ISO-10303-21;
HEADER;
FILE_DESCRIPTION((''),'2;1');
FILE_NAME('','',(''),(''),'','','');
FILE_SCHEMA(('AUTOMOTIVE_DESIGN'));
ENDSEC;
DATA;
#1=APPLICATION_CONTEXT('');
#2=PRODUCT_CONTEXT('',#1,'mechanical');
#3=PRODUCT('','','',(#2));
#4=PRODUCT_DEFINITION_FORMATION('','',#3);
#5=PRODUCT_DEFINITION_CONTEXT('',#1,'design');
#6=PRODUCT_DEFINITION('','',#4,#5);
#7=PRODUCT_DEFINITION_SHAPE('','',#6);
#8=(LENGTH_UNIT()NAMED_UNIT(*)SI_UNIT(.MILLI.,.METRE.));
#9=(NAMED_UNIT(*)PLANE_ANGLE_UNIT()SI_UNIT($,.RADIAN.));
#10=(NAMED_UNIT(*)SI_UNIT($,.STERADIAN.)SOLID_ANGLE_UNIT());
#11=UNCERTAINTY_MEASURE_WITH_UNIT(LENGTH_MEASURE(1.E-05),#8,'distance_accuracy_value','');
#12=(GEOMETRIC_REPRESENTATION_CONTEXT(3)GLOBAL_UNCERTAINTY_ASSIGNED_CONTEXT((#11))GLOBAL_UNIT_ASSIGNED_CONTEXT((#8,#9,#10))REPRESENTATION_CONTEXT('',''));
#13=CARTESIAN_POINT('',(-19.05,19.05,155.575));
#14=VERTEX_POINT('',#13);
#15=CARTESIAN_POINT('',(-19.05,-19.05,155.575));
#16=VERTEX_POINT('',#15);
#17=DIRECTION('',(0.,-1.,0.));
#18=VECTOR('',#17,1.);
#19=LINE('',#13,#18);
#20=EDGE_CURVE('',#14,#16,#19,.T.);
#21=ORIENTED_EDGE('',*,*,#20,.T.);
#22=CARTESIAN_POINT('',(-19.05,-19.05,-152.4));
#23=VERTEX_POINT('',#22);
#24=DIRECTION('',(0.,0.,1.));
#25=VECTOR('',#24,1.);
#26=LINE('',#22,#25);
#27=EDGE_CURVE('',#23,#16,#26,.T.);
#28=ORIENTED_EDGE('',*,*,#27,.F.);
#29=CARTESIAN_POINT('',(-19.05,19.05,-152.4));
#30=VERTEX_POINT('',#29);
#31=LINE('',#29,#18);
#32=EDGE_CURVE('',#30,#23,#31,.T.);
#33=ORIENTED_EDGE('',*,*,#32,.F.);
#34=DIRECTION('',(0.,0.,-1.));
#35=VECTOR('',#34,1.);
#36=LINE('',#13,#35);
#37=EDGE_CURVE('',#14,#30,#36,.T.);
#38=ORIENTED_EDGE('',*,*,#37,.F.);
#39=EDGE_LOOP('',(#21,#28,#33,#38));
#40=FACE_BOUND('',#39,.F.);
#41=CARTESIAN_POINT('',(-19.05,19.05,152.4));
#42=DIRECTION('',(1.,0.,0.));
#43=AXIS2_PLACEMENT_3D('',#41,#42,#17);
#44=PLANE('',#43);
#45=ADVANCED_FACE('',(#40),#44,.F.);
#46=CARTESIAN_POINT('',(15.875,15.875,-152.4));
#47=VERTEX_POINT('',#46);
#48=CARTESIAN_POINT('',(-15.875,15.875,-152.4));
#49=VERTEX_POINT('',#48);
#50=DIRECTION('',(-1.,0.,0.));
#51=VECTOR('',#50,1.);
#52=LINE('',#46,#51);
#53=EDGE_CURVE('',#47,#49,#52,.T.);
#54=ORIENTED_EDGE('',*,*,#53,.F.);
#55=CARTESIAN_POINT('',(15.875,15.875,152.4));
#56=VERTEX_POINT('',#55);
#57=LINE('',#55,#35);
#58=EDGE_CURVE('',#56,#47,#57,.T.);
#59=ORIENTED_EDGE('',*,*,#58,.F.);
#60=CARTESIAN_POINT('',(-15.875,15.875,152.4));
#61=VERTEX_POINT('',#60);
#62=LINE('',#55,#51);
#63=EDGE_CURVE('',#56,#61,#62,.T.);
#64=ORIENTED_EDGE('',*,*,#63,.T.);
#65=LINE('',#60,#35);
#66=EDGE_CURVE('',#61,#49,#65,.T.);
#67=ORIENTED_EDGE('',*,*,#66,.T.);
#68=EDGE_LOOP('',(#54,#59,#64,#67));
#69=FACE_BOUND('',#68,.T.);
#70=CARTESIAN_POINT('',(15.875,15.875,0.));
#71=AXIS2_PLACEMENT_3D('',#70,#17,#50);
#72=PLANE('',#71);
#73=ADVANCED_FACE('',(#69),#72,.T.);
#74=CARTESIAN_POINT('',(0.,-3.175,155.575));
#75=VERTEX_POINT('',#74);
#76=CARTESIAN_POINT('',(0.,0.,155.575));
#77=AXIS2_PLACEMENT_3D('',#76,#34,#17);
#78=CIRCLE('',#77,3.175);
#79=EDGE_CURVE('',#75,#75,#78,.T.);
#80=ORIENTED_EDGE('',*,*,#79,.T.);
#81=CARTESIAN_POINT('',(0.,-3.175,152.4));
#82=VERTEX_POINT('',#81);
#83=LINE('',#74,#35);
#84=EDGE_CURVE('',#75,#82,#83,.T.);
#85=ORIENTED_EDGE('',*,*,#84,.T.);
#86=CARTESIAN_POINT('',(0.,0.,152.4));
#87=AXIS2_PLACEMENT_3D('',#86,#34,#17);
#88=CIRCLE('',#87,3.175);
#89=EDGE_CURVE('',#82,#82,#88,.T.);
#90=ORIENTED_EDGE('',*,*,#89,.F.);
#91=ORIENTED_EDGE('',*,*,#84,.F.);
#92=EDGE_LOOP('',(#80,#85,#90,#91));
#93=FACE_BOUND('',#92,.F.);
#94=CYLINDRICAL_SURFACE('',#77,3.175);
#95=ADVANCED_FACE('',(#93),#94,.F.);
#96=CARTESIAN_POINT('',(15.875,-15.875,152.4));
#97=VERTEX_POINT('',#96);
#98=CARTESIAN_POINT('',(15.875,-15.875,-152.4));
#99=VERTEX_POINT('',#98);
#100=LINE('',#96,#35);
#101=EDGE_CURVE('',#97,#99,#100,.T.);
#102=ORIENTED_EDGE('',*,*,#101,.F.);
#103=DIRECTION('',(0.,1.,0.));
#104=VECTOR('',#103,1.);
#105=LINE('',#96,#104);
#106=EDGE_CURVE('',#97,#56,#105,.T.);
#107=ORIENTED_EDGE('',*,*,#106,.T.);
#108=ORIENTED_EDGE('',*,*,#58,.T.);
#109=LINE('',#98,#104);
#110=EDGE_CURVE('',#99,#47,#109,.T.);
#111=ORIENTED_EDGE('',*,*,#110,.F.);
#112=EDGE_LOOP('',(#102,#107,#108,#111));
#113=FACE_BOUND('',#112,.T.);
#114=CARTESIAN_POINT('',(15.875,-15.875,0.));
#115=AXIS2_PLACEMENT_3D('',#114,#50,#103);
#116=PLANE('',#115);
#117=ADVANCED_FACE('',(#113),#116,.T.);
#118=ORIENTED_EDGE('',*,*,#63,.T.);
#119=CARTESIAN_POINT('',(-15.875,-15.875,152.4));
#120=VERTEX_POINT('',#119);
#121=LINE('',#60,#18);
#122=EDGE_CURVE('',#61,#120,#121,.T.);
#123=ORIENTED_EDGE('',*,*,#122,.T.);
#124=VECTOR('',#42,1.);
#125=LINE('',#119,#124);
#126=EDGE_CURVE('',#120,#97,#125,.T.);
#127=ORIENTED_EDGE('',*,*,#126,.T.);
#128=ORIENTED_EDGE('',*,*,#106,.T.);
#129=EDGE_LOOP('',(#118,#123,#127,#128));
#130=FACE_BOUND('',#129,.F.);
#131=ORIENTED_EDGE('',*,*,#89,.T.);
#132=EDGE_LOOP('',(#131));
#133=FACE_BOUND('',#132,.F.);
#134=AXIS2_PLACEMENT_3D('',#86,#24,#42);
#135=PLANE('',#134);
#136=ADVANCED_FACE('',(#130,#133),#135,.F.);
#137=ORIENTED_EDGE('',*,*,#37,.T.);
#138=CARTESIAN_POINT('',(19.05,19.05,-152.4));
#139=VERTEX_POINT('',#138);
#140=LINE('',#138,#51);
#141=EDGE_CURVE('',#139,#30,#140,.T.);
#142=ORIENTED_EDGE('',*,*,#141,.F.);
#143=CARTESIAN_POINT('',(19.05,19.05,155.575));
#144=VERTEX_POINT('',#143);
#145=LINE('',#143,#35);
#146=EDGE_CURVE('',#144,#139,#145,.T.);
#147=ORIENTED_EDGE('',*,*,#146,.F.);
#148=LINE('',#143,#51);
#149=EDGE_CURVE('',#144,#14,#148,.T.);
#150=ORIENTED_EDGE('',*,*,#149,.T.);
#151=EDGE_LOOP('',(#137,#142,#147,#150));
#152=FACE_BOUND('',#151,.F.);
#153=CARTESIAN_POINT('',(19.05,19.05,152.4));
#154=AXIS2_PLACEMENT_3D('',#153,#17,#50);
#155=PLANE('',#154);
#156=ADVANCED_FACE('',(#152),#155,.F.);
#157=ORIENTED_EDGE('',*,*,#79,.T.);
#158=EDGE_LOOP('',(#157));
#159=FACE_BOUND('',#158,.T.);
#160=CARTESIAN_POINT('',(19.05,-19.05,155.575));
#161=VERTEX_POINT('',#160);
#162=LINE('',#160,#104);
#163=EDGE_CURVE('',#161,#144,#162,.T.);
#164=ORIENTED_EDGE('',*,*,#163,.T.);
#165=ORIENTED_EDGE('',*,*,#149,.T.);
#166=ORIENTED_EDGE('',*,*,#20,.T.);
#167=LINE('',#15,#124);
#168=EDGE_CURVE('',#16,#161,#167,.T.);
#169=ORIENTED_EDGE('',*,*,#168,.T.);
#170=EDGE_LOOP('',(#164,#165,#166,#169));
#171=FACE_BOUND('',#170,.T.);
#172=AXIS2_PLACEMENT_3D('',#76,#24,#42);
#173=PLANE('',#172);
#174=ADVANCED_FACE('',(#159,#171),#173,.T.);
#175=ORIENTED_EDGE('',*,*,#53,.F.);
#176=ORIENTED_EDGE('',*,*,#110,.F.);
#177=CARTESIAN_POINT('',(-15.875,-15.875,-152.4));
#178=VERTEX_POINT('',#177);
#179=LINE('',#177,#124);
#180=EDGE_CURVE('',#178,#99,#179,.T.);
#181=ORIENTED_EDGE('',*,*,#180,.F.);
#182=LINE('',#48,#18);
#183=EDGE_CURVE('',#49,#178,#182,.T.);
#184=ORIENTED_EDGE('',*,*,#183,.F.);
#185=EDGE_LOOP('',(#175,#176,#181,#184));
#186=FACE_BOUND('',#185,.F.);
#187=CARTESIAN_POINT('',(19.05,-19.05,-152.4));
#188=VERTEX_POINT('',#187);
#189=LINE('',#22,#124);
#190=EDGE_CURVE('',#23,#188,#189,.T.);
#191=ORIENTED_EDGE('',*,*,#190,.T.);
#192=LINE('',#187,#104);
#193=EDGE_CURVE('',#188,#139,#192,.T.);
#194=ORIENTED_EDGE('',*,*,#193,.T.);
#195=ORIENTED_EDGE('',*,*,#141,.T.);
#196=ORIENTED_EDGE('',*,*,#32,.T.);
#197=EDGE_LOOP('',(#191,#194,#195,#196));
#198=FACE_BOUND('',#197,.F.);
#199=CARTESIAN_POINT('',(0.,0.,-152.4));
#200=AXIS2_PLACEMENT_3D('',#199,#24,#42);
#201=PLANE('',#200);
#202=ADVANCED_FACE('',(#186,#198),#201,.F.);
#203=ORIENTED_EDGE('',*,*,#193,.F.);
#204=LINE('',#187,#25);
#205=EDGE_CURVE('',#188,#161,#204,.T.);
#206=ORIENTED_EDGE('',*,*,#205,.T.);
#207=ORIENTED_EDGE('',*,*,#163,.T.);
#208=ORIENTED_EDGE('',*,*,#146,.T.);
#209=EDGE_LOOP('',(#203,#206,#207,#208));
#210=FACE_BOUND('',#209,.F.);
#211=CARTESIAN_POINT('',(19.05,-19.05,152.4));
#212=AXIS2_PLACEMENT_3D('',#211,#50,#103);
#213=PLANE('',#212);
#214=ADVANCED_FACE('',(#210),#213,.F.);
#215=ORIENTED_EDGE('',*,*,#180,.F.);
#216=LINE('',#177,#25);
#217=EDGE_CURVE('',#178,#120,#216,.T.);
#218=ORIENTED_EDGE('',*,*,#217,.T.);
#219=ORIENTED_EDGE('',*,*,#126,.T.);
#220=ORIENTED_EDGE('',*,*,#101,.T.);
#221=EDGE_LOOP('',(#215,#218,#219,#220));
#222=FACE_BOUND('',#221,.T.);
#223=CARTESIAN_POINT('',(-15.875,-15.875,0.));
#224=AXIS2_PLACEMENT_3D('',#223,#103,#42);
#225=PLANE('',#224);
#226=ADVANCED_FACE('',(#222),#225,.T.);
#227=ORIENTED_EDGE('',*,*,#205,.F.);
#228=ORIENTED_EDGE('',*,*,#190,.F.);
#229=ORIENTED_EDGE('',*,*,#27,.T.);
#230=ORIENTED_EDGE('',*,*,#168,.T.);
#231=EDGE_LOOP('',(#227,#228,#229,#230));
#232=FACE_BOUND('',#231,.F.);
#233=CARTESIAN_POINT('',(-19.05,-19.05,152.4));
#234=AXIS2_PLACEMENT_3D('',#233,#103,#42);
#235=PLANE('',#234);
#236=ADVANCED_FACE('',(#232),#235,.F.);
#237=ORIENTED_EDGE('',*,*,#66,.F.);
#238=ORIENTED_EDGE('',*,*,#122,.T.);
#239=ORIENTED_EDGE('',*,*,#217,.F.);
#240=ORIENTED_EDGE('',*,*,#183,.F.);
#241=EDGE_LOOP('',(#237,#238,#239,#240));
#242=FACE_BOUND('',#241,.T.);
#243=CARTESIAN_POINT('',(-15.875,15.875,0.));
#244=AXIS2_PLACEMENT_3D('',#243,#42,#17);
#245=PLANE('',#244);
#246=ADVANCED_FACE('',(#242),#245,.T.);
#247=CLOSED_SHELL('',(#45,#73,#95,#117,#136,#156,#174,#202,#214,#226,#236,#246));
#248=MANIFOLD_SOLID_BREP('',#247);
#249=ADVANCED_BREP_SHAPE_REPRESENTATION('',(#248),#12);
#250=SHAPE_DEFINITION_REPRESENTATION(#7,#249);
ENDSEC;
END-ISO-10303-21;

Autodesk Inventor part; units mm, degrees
ref_plane "YZ Plane" through (0, 0, 0) normal (1, 0, 0) x (0, 1, 0)
ref_plane "XZ Plane" through (0, 0, 0) normal (0, 1, 0) x (-1, 0, 0)
ref_plane "XY Plane" through (0, 0, 0) normal (0, 0, 1) x (1, 0, 0)
sketch "Sketch1" plane through (0, 0, 0) normal (0, 0, 1) x (1, 0, 0)
  line L0 (-19.05, -19.05) -> (19.05, -19.05)
  line L1 (19.05, -19.05) -> (19.05, 19.05)
  line L2 (19.05, 19.05) -> (-19.05, 19.05)
  line L3 (-19.05, 19.05) -> (-19.05, -19.05)
  line L4 (-19.05, -19.05) -> (19.05, 19.05) construction
  line L5 (19.05, -19.05) -> (-19.05, 19.05) construction
  line L6 (-15.875, -15.875) -> (15.875, -15.875)
  line L7 (15.875, -15.875) -> (15.875, 15.875)
  line L8 (15.875, 15.875) -> (-15.875, 15.875)
  line L9 (-15.875, 15.875) -> (-15.875, -15.875)
  line L10 (-15.875, -15.875) -> (15.875, 15.875) construction
  line L11 (15.875, -15.875) -> (-15.875, 15.875) construction
  point P0 (0, 0)
  dimension "d0" = 38.1
  dimension "d1" = 3.175
extrude "Extrusion1" add sketch "Sketch1" along normal mid plane 304.8
sketch "Sketch3" plane through (0, 0, 152.4) normal (0, 0, 1) x (1, 0, 0)
  line L0 (-19.05, -19.05) -> (19.05, -19.05)
  line L1 (19.05, -19.05) -> (19.05, 19.05)
  line L2 (19.05, 19.05) -> (-19.05, 19.05)
  line L3 (-19.05, 19.05) -> (-19.05, -19.05)
  line L4 (-19.05, -19.05) -> (19.05, 19.05) construction
  line L5 (19.05, -19.05) -> (-19.05, 19.05) construction
  point P0 (0, 0)
extrude "Extrusion2" add sketch "Sketch3" along normal blind 3.175
sketch "Sketch4" plane through (0, 0, 155.575) normal (0, 0, 1) x (1, 0, 0)
  point P0 (0, 0)
  point P1 (0, 0)
hole "Hole1" at (0, 0, 155.575) direction (0, 0, -1) diameter 6.35 end through all
properties part number "LinearExample"
